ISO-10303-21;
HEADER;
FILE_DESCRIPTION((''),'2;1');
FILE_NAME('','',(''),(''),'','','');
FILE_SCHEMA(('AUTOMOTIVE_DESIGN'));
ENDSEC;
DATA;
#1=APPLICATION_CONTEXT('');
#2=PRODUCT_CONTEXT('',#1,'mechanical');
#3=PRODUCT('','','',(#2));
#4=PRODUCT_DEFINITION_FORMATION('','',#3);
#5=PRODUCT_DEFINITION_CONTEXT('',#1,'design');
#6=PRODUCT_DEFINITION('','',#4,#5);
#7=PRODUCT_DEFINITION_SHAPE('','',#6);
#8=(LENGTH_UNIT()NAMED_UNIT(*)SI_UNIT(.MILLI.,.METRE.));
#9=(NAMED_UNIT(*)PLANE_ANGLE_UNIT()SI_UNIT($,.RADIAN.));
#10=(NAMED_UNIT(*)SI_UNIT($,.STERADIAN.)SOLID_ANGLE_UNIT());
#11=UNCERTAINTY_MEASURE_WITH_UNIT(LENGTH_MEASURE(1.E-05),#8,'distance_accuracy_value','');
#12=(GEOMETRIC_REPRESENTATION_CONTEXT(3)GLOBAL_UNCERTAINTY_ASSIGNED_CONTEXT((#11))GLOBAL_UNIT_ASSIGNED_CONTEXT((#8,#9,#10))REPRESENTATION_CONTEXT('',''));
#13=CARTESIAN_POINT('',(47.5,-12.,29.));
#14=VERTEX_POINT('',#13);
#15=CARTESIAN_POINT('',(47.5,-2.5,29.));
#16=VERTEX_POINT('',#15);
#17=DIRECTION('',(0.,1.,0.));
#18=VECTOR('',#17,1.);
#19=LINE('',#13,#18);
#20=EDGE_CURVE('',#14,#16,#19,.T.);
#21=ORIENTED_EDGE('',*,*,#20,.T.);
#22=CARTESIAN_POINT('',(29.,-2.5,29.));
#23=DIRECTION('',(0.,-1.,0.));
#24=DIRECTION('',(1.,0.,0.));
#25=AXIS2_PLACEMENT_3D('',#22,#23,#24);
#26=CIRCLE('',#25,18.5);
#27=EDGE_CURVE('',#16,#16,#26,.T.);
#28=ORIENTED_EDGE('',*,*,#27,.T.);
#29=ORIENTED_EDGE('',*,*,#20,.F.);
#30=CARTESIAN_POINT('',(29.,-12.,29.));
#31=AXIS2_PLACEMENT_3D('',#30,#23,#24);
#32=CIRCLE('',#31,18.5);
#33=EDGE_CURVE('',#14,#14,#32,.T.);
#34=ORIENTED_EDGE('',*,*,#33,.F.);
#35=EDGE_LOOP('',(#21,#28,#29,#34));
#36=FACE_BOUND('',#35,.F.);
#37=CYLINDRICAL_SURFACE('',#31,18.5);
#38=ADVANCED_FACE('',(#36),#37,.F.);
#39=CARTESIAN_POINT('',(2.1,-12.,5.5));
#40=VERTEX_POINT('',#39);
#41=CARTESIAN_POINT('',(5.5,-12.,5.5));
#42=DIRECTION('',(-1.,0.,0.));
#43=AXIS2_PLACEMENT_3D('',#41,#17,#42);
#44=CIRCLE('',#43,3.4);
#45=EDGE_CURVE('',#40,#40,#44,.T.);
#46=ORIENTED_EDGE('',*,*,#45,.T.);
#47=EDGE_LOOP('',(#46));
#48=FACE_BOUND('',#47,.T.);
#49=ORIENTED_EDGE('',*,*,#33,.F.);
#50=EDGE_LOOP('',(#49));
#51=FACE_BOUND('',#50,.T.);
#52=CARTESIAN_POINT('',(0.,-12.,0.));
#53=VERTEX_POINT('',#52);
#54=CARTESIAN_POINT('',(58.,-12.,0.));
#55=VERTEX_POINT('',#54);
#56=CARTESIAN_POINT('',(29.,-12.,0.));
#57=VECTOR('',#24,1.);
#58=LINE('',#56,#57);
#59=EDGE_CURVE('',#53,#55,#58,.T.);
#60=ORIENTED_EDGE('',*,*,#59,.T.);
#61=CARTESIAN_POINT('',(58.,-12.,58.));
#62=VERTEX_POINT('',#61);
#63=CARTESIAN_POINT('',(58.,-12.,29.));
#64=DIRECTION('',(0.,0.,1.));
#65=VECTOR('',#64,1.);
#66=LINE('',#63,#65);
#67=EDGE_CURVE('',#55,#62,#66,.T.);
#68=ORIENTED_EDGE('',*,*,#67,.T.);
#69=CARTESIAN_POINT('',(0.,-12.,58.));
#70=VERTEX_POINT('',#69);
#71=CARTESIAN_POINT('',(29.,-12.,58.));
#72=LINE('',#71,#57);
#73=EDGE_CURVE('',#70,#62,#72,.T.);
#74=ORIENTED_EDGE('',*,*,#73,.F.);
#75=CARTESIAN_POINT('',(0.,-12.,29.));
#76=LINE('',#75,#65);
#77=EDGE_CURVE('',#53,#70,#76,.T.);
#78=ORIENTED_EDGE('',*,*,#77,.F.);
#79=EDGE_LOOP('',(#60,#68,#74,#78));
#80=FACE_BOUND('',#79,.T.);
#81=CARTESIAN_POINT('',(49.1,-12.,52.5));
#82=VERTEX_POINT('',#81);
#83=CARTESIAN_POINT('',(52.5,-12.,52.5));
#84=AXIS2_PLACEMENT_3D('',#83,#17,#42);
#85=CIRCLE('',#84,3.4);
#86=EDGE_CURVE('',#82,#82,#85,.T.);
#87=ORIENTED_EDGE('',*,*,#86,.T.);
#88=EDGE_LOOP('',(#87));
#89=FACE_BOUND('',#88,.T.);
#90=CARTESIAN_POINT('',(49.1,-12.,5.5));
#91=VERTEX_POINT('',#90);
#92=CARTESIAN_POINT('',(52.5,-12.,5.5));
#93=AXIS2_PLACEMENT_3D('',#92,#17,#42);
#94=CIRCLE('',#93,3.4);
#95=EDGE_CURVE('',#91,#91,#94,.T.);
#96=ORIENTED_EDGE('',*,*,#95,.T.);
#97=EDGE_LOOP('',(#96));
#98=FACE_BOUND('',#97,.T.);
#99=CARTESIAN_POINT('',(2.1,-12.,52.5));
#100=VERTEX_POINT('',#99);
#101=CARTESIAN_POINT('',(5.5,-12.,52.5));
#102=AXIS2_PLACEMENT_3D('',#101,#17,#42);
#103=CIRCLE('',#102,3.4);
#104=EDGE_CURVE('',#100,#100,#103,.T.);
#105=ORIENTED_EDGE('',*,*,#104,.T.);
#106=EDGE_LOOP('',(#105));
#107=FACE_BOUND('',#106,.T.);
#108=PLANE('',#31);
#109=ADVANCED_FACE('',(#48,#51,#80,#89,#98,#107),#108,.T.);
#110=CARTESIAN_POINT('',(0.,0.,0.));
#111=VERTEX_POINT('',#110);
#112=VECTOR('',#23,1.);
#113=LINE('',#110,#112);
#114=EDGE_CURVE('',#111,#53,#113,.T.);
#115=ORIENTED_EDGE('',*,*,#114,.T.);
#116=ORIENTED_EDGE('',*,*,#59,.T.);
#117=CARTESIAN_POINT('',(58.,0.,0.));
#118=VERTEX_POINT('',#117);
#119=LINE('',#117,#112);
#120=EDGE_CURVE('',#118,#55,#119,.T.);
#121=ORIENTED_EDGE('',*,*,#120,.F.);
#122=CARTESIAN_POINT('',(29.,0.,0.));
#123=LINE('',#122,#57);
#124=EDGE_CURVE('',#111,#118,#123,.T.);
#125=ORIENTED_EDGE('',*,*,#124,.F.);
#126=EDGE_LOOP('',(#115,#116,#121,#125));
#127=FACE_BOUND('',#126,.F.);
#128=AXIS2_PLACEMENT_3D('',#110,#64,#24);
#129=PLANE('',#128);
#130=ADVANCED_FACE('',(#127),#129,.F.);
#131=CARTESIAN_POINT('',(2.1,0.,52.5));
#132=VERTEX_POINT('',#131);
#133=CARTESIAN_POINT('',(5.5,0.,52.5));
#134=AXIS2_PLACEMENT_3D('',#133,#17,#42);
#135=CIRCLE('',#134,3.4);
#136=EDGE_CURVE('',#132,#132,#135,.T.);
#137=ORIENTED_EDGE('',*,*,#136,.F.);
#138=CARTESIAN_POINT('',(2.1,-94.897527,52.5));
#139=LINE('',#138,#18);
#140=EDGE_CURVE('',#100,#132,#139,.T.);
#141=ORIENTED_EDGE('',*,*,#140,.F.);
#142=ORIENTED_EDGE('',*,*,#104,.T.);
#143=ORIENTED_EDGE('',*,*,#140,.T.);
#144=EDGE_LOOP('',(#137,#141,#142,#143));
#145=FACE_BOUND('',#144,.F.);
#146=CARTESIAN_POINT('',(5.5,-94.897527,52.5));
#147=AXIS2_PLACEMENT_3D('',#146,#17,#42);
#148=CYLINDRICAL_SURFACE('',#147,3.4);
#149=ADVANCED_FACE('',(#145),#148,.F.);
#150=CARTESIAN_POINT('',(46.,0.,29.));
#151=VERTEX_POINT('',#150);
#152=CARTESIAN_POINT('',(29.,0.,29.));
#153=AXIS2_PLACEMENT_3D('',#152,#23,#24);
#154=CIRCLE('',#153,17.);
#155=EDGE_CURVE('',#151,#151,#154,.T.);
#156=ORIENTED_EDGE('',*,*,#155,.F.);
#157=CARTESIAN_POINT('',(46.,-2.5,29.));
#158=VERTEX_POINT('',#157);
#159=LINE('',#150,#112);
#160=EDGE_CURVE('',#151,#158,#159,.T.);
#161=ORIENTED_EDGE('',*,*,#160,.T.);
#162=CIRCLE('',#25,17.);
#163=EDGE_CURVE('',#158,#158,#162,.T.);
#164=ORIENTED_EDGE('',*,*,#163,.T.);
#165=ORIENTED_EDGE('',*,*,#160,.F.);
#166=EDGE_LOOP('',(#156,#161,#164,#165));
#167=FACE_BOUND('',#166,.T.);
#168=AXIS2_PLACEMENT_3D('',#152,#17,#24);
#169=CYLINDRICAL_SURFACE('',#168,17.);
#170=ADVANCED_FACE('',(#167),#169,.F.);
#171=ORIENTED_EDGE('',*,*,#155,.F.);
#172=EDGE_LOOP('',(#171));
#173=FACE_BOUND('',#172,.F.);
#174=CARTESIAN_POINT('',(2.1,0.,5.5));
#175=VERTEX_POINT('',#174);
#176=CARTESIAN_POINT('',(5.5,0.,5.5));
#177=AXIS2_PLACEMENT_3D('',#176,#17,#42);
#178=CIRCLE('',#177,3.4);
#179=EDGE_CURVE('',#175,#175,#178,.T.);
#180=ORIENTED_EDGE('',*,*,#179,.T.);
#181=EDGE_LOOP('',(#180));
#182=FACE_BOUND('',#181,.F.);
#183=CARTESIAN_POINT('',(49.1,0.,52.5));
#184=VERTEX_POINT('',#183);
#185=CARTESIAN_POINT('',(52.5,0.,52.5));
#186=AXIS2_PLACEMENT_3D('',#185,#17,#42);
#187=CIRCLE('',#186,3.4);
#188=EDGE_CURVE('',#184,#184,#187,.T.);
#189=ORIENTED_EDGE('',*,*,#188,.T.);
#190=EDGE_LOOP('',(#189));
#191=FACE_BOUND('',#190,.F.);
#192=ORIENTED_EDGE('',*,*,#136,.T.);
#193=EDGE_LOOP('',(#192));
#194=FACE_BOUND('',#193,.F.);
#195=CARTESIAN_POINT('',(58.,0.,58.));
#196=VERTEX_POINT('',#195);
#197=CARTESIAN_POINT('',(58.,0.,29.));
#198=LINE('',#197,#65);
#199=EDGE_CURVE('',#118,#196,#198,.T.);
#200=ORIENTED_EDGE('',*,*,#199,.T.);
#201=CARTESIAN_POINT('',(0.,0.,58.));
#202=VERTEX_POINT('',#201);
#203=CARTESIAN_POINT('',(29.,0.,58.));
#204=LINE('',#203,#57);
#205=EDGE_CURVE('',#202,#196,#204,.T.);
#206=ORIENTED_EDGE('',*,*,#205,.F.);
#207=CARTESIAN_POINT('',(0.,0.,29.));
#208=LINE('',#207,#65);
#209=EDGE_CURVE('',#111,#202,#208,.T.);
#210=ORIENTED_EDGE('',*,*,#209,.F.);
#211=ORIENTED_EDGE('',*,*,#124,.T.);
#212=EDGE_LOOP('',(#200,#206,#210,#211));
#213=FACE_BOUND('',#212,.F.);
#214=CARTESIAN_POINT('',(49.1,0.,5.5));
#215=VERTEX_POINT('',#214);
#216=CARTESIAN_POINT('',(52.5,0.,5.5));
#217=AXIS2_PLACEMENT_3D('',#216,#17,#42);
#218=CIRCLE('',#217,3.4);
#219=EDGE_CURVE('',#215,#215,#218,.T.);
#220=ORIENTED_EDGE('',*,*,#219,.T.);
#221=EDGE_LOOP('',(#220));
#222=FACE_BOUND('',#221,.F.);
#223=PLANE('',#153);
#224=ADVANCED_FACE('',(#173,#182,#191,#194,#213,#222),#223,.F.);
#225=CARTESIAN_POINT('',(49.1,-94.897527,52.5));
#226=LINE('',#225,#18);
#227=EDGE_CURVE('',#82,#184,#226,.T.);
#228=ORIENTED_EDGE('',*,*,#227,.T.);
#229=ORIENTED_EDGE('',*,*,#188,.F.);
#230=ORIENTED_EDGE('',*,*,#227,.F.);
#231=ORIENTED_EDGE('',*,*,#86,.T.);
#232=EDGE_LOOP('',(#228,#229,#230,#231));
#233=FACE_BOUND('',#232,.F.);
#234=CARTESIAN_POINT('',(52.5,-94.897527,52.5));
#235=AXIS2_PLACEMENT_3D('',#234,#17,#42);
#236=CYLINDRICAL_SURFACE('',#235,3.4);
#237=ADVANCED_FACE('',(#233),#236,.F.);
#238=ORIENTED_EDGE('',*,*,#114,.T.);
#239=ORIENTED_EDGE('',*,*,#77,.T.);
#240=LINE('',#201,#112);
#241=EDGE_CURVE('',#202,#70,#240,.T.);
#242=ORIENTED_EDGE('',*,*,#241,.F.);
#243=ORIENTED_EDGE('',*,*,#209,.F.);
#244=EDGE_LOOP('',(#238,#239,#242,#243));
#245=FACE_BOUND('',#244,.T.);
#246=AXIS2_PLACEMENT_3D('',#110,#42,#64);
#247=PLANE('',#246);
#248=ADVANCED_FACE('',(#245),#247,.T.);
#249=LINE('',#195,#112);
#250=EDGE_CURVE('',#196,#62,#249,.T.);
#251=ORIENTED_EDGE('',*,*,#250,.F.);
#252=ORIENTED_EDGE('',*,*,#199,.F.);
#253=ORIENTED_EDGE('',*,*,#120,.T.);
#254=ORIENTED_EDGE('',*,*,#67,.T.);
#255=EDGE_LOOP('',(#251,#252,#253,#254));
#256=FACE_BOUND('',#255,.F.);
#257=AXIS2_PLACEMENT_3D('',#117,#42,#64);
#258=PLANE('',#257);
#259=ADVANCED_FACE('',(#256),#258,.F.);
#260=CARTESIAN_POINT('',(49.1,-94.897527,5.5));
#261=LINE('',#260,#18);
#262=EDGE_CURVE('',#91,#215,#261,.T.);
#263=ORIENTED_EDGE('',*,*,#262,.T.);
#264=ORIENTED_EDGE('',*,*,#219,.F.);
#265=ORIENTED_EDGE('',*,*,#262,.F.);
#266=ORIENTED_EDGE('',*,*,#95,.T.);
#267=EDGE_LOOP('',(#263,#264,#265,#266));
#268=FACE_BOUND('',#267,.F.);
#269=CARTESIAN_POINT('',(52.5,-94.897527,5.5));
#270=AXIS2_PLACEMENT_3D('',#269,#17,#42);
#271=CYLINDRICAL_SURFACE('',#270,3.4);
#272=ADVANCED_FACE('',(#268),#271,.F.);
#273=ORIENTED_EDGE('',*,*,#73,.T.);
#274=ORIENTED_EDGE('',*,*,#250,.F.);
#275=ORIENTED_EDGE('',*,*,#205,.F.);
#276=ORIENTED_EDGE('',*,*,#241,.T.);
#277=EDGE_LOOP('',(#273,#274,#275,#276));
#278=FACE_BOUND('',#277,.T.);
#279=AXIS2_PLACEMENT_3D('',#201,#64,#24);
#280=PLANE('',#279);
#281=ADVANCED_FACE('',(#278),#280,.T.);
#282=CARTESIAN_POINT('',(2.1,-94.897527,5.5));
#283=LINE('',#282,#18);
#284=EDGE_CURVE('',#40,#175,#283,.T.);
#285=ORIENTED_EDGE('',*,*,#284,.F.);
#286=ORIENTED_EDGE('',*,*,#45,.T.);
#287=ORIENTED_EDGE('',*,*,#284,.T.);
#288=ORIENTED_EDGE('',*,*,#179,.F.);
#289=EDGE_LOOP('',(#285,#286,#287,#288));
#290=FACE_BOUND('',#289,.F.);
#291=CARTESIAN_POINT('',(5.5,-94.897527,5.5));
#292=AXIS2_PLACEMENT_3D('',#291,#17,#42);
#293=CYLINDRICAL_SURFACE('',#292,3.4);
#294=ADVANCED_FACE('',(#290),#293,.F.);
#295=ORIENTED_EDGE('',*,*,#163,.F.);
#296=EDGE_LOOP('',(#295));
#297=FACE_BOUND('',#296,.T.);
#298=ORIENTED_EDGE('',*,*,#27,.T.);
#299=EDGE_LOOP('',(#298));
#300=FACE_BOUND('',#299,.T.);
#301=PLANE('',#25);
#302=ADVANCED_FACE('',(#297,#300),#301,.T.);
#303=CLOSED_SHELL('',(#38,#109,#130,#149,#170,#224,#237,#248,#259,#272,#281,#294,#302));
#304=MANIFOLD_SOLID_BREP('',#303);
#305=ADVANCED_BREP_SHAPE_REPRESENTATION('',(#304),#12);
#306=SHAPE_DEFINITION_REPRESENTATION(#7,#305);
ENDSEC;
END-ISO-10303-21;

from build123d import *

# Parameters (mm, degrees)
F0_W     = 58
F0_H     = 58
F0_R     = 17
F1_DEPTH = 12
F2_R     = 18.5
F2_R_2   = 17
F3_DEPTH = 9.5
F5_D     = 6.8


with BuildPart() as f1:
    # F0 (on Front) → F1 (new body)
    with BuildSketch(Plane.XZ):
        with Locations((29, 29)):
            Rectangle(F0_W, F0_H)
        with Locations((29, 29)):
            Circle(F0_R, mode=Mode.SUBTRACT)
    extrude(amount=F1_DEPTH)

    # F2 (on face) → F3 (cut)
    with BuildSketch(Plane.XZ.offset(12)):
        with Locations((29, 29)):
            Circle(F2_R)
        with Locations((29, 29)):
            Circle(F2_R_2, mode=Mode.SUBTRACT)
    extrude(amount=-F3_DEPTH, mode=Mode.SUBTRACT)

    # F5 (through all)
    with Locations(Plane.XZ.offset(12)):
        with Locations((5.5, 52.5), (52.5, 52.5), (52.5, 5.5), (5.5, 5.5)):
            Hole(F5_D / 2)


solid = f1.part
